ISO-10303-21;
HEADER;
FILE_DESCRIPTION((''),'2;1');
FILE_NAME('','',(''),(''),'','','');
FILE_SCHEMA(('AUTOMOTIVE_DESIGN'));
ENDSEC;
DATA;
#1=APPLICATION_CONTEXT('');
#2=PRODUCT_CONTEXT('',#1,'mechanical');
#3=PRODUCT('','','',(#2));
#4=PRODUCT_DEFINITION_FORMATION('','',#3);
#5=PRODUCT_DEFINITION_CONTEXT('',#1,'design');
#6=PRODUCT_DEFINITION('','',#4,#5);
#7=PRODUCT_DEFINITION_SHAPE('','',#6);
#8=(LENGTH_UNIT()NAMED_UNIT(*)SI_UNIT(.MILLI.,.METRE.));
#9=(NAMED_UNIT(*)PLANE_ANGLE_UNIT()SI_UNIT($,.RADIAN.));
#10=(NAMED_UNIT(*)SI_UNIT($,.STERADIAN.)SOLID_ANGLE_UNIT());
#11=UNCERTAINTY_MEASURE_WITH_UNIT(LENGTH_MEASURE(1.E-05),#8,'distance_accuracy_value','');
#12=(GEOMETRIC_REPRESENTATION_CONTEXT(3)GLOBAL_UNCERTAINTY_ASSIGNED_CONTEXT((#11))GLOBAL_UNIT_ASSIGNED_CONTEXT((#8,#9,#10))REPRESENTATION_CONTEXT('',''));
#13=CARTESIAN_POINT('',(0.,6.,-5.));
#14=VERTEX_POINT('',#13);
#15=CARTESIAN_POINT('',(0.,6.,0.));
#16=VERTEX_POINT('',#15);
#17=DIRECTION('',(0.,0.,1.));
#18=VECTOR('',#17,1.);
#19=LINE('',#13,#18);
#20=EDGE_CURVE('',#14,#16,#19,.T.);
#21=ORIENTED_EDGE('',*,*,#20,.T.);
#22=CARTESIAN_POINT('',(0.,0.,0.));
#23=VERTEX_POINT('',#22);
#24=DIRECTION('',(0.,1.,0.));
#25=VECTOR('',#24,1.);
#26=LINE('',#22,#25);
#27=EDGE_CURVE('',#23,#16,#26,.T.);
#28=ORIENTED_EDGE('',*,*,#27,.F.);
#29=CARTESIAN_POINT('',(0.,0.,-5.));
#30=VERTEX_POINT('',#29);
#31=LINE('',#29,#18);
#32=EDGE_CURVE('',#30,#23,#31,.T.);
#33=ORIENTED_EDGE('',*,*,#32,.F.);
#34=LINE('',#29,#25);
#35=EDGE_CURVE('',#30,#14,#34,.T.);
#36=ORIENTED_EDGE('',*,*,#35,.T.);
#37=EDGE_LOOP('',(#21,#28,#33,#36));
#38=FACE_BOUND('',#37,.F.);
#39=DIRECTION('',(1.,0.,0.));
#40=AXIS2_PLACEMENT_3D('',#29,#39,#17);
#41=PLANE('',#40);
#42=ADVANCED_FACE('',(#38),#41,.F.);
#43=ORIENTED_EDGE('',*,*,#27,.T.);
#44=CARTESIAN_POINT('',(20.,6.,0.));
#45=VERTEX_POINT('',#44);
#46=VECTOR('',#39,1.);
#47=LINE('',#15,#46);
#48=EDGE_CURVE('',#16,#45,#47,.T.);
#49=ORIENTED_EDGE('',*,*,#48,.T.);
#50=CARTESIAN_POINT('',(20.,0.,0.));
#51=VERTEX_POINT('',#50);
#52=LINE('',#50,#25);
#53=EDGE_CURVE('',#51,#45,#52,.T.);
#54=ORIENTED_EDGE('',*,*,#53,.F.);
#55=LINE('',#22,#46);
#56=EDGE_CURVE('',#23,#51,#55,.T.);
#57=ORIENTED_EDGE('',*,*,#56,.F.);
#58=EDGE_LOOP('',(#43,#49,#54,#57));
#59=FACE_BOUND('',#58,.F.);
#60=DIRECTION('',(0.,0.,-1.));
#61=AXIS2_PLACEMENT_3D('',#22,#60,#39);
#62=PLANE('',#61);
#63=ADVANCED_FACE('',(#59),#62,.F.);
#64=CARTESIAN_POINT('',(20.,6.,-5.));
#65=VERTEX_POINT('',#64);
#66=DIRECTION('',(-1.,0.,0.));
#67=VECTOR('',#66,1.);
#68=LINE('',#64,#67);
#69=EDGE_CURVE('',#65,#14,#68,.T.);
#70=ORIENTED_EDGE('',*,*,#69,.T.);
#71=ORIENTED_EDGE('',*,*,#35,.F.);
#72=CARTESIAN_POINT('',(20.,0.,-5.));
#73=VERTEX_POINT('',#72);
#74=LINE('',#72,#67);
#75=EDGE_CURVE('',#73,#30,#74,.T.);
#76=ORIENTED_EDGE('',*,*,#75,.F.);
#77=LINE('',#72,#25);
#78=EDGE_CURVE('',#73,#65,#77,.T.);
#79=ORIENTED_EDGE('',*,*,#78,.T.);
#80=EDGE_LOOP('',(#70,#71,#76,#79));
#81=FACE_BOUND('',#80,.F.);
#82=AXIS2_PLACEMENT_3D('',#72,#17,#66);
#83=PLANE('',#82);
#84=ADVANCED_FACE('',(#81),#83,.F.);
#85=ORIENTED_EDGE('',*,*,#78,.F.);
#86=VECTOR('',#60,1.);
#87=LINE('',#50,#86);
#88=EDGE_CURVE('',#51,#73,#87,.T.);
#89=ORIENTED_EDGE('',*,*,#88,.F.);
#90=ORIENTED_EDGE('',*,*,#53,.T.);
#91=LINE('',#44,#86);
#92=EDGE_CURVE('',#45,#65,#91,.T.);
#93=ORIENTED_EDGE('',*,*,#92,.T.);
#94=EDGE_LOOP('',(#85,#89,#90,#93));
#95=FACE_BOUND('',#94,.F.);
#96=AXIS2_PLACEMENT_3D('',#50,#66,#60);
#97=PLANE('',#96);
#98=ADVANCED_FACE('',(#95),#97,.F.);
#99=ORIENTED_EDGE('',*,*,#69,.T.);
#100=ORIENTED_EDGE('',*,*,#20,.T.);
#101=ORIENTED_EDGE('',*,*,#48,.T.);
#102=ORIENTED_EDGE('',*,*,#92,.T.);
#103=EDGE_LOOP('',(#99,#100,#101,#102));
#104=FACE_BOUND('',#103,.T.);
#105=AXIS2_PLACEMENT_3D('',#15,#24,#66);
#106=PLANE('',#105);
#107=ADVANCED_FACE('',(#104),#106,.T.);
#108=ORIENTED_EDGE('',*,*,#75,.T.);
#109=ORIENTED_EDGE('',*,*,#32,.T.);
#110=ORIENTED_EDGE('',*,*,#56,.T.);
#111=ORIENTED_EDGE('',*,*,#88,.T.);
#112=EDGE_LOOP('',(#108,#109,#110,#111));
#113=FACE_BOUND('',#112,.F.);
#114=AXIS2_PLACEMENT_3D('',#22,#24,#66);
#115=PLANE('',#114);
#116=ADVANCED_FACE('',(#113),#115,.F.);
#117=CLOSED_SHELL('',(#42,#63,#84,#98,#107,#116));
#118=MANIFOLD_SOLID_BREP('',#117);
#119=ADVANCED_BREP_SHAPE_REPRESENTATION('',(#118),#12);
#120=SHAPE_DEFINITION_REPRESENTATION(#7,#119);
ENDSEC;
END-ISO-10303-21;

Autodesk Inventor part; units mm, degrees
ref_plane "YZ Plane" through (0, 0, 0) normal (1, 0, 0) x (0, 1, 0)
ref_plane "XZ Plane" through (0, 0, 0) normal (0, 1, 0) x (-1, 0, 0)
ref_plane "XY Plane" through (0, 0, 0) normal (0, 0, 1) x (1, 0, 0)
sketch "Sketch1" plane through (0, 0, 0) normal (0, 1, 0) x (-1, 0, 0)
  line L0 (0, 0) -> (-20, 0)
  line L1 (-20, 0) -> (-20, -5)
  line L2 (-20, -5) -> (0, -5)
  line L3 (0, -5) -> (0, 0)
  dimension "d0" = 20
  dimension "d1" = 5
extrude "Extrusion1" add sketch "Sketch1" along normal blind 6
properties part number "6mm"
